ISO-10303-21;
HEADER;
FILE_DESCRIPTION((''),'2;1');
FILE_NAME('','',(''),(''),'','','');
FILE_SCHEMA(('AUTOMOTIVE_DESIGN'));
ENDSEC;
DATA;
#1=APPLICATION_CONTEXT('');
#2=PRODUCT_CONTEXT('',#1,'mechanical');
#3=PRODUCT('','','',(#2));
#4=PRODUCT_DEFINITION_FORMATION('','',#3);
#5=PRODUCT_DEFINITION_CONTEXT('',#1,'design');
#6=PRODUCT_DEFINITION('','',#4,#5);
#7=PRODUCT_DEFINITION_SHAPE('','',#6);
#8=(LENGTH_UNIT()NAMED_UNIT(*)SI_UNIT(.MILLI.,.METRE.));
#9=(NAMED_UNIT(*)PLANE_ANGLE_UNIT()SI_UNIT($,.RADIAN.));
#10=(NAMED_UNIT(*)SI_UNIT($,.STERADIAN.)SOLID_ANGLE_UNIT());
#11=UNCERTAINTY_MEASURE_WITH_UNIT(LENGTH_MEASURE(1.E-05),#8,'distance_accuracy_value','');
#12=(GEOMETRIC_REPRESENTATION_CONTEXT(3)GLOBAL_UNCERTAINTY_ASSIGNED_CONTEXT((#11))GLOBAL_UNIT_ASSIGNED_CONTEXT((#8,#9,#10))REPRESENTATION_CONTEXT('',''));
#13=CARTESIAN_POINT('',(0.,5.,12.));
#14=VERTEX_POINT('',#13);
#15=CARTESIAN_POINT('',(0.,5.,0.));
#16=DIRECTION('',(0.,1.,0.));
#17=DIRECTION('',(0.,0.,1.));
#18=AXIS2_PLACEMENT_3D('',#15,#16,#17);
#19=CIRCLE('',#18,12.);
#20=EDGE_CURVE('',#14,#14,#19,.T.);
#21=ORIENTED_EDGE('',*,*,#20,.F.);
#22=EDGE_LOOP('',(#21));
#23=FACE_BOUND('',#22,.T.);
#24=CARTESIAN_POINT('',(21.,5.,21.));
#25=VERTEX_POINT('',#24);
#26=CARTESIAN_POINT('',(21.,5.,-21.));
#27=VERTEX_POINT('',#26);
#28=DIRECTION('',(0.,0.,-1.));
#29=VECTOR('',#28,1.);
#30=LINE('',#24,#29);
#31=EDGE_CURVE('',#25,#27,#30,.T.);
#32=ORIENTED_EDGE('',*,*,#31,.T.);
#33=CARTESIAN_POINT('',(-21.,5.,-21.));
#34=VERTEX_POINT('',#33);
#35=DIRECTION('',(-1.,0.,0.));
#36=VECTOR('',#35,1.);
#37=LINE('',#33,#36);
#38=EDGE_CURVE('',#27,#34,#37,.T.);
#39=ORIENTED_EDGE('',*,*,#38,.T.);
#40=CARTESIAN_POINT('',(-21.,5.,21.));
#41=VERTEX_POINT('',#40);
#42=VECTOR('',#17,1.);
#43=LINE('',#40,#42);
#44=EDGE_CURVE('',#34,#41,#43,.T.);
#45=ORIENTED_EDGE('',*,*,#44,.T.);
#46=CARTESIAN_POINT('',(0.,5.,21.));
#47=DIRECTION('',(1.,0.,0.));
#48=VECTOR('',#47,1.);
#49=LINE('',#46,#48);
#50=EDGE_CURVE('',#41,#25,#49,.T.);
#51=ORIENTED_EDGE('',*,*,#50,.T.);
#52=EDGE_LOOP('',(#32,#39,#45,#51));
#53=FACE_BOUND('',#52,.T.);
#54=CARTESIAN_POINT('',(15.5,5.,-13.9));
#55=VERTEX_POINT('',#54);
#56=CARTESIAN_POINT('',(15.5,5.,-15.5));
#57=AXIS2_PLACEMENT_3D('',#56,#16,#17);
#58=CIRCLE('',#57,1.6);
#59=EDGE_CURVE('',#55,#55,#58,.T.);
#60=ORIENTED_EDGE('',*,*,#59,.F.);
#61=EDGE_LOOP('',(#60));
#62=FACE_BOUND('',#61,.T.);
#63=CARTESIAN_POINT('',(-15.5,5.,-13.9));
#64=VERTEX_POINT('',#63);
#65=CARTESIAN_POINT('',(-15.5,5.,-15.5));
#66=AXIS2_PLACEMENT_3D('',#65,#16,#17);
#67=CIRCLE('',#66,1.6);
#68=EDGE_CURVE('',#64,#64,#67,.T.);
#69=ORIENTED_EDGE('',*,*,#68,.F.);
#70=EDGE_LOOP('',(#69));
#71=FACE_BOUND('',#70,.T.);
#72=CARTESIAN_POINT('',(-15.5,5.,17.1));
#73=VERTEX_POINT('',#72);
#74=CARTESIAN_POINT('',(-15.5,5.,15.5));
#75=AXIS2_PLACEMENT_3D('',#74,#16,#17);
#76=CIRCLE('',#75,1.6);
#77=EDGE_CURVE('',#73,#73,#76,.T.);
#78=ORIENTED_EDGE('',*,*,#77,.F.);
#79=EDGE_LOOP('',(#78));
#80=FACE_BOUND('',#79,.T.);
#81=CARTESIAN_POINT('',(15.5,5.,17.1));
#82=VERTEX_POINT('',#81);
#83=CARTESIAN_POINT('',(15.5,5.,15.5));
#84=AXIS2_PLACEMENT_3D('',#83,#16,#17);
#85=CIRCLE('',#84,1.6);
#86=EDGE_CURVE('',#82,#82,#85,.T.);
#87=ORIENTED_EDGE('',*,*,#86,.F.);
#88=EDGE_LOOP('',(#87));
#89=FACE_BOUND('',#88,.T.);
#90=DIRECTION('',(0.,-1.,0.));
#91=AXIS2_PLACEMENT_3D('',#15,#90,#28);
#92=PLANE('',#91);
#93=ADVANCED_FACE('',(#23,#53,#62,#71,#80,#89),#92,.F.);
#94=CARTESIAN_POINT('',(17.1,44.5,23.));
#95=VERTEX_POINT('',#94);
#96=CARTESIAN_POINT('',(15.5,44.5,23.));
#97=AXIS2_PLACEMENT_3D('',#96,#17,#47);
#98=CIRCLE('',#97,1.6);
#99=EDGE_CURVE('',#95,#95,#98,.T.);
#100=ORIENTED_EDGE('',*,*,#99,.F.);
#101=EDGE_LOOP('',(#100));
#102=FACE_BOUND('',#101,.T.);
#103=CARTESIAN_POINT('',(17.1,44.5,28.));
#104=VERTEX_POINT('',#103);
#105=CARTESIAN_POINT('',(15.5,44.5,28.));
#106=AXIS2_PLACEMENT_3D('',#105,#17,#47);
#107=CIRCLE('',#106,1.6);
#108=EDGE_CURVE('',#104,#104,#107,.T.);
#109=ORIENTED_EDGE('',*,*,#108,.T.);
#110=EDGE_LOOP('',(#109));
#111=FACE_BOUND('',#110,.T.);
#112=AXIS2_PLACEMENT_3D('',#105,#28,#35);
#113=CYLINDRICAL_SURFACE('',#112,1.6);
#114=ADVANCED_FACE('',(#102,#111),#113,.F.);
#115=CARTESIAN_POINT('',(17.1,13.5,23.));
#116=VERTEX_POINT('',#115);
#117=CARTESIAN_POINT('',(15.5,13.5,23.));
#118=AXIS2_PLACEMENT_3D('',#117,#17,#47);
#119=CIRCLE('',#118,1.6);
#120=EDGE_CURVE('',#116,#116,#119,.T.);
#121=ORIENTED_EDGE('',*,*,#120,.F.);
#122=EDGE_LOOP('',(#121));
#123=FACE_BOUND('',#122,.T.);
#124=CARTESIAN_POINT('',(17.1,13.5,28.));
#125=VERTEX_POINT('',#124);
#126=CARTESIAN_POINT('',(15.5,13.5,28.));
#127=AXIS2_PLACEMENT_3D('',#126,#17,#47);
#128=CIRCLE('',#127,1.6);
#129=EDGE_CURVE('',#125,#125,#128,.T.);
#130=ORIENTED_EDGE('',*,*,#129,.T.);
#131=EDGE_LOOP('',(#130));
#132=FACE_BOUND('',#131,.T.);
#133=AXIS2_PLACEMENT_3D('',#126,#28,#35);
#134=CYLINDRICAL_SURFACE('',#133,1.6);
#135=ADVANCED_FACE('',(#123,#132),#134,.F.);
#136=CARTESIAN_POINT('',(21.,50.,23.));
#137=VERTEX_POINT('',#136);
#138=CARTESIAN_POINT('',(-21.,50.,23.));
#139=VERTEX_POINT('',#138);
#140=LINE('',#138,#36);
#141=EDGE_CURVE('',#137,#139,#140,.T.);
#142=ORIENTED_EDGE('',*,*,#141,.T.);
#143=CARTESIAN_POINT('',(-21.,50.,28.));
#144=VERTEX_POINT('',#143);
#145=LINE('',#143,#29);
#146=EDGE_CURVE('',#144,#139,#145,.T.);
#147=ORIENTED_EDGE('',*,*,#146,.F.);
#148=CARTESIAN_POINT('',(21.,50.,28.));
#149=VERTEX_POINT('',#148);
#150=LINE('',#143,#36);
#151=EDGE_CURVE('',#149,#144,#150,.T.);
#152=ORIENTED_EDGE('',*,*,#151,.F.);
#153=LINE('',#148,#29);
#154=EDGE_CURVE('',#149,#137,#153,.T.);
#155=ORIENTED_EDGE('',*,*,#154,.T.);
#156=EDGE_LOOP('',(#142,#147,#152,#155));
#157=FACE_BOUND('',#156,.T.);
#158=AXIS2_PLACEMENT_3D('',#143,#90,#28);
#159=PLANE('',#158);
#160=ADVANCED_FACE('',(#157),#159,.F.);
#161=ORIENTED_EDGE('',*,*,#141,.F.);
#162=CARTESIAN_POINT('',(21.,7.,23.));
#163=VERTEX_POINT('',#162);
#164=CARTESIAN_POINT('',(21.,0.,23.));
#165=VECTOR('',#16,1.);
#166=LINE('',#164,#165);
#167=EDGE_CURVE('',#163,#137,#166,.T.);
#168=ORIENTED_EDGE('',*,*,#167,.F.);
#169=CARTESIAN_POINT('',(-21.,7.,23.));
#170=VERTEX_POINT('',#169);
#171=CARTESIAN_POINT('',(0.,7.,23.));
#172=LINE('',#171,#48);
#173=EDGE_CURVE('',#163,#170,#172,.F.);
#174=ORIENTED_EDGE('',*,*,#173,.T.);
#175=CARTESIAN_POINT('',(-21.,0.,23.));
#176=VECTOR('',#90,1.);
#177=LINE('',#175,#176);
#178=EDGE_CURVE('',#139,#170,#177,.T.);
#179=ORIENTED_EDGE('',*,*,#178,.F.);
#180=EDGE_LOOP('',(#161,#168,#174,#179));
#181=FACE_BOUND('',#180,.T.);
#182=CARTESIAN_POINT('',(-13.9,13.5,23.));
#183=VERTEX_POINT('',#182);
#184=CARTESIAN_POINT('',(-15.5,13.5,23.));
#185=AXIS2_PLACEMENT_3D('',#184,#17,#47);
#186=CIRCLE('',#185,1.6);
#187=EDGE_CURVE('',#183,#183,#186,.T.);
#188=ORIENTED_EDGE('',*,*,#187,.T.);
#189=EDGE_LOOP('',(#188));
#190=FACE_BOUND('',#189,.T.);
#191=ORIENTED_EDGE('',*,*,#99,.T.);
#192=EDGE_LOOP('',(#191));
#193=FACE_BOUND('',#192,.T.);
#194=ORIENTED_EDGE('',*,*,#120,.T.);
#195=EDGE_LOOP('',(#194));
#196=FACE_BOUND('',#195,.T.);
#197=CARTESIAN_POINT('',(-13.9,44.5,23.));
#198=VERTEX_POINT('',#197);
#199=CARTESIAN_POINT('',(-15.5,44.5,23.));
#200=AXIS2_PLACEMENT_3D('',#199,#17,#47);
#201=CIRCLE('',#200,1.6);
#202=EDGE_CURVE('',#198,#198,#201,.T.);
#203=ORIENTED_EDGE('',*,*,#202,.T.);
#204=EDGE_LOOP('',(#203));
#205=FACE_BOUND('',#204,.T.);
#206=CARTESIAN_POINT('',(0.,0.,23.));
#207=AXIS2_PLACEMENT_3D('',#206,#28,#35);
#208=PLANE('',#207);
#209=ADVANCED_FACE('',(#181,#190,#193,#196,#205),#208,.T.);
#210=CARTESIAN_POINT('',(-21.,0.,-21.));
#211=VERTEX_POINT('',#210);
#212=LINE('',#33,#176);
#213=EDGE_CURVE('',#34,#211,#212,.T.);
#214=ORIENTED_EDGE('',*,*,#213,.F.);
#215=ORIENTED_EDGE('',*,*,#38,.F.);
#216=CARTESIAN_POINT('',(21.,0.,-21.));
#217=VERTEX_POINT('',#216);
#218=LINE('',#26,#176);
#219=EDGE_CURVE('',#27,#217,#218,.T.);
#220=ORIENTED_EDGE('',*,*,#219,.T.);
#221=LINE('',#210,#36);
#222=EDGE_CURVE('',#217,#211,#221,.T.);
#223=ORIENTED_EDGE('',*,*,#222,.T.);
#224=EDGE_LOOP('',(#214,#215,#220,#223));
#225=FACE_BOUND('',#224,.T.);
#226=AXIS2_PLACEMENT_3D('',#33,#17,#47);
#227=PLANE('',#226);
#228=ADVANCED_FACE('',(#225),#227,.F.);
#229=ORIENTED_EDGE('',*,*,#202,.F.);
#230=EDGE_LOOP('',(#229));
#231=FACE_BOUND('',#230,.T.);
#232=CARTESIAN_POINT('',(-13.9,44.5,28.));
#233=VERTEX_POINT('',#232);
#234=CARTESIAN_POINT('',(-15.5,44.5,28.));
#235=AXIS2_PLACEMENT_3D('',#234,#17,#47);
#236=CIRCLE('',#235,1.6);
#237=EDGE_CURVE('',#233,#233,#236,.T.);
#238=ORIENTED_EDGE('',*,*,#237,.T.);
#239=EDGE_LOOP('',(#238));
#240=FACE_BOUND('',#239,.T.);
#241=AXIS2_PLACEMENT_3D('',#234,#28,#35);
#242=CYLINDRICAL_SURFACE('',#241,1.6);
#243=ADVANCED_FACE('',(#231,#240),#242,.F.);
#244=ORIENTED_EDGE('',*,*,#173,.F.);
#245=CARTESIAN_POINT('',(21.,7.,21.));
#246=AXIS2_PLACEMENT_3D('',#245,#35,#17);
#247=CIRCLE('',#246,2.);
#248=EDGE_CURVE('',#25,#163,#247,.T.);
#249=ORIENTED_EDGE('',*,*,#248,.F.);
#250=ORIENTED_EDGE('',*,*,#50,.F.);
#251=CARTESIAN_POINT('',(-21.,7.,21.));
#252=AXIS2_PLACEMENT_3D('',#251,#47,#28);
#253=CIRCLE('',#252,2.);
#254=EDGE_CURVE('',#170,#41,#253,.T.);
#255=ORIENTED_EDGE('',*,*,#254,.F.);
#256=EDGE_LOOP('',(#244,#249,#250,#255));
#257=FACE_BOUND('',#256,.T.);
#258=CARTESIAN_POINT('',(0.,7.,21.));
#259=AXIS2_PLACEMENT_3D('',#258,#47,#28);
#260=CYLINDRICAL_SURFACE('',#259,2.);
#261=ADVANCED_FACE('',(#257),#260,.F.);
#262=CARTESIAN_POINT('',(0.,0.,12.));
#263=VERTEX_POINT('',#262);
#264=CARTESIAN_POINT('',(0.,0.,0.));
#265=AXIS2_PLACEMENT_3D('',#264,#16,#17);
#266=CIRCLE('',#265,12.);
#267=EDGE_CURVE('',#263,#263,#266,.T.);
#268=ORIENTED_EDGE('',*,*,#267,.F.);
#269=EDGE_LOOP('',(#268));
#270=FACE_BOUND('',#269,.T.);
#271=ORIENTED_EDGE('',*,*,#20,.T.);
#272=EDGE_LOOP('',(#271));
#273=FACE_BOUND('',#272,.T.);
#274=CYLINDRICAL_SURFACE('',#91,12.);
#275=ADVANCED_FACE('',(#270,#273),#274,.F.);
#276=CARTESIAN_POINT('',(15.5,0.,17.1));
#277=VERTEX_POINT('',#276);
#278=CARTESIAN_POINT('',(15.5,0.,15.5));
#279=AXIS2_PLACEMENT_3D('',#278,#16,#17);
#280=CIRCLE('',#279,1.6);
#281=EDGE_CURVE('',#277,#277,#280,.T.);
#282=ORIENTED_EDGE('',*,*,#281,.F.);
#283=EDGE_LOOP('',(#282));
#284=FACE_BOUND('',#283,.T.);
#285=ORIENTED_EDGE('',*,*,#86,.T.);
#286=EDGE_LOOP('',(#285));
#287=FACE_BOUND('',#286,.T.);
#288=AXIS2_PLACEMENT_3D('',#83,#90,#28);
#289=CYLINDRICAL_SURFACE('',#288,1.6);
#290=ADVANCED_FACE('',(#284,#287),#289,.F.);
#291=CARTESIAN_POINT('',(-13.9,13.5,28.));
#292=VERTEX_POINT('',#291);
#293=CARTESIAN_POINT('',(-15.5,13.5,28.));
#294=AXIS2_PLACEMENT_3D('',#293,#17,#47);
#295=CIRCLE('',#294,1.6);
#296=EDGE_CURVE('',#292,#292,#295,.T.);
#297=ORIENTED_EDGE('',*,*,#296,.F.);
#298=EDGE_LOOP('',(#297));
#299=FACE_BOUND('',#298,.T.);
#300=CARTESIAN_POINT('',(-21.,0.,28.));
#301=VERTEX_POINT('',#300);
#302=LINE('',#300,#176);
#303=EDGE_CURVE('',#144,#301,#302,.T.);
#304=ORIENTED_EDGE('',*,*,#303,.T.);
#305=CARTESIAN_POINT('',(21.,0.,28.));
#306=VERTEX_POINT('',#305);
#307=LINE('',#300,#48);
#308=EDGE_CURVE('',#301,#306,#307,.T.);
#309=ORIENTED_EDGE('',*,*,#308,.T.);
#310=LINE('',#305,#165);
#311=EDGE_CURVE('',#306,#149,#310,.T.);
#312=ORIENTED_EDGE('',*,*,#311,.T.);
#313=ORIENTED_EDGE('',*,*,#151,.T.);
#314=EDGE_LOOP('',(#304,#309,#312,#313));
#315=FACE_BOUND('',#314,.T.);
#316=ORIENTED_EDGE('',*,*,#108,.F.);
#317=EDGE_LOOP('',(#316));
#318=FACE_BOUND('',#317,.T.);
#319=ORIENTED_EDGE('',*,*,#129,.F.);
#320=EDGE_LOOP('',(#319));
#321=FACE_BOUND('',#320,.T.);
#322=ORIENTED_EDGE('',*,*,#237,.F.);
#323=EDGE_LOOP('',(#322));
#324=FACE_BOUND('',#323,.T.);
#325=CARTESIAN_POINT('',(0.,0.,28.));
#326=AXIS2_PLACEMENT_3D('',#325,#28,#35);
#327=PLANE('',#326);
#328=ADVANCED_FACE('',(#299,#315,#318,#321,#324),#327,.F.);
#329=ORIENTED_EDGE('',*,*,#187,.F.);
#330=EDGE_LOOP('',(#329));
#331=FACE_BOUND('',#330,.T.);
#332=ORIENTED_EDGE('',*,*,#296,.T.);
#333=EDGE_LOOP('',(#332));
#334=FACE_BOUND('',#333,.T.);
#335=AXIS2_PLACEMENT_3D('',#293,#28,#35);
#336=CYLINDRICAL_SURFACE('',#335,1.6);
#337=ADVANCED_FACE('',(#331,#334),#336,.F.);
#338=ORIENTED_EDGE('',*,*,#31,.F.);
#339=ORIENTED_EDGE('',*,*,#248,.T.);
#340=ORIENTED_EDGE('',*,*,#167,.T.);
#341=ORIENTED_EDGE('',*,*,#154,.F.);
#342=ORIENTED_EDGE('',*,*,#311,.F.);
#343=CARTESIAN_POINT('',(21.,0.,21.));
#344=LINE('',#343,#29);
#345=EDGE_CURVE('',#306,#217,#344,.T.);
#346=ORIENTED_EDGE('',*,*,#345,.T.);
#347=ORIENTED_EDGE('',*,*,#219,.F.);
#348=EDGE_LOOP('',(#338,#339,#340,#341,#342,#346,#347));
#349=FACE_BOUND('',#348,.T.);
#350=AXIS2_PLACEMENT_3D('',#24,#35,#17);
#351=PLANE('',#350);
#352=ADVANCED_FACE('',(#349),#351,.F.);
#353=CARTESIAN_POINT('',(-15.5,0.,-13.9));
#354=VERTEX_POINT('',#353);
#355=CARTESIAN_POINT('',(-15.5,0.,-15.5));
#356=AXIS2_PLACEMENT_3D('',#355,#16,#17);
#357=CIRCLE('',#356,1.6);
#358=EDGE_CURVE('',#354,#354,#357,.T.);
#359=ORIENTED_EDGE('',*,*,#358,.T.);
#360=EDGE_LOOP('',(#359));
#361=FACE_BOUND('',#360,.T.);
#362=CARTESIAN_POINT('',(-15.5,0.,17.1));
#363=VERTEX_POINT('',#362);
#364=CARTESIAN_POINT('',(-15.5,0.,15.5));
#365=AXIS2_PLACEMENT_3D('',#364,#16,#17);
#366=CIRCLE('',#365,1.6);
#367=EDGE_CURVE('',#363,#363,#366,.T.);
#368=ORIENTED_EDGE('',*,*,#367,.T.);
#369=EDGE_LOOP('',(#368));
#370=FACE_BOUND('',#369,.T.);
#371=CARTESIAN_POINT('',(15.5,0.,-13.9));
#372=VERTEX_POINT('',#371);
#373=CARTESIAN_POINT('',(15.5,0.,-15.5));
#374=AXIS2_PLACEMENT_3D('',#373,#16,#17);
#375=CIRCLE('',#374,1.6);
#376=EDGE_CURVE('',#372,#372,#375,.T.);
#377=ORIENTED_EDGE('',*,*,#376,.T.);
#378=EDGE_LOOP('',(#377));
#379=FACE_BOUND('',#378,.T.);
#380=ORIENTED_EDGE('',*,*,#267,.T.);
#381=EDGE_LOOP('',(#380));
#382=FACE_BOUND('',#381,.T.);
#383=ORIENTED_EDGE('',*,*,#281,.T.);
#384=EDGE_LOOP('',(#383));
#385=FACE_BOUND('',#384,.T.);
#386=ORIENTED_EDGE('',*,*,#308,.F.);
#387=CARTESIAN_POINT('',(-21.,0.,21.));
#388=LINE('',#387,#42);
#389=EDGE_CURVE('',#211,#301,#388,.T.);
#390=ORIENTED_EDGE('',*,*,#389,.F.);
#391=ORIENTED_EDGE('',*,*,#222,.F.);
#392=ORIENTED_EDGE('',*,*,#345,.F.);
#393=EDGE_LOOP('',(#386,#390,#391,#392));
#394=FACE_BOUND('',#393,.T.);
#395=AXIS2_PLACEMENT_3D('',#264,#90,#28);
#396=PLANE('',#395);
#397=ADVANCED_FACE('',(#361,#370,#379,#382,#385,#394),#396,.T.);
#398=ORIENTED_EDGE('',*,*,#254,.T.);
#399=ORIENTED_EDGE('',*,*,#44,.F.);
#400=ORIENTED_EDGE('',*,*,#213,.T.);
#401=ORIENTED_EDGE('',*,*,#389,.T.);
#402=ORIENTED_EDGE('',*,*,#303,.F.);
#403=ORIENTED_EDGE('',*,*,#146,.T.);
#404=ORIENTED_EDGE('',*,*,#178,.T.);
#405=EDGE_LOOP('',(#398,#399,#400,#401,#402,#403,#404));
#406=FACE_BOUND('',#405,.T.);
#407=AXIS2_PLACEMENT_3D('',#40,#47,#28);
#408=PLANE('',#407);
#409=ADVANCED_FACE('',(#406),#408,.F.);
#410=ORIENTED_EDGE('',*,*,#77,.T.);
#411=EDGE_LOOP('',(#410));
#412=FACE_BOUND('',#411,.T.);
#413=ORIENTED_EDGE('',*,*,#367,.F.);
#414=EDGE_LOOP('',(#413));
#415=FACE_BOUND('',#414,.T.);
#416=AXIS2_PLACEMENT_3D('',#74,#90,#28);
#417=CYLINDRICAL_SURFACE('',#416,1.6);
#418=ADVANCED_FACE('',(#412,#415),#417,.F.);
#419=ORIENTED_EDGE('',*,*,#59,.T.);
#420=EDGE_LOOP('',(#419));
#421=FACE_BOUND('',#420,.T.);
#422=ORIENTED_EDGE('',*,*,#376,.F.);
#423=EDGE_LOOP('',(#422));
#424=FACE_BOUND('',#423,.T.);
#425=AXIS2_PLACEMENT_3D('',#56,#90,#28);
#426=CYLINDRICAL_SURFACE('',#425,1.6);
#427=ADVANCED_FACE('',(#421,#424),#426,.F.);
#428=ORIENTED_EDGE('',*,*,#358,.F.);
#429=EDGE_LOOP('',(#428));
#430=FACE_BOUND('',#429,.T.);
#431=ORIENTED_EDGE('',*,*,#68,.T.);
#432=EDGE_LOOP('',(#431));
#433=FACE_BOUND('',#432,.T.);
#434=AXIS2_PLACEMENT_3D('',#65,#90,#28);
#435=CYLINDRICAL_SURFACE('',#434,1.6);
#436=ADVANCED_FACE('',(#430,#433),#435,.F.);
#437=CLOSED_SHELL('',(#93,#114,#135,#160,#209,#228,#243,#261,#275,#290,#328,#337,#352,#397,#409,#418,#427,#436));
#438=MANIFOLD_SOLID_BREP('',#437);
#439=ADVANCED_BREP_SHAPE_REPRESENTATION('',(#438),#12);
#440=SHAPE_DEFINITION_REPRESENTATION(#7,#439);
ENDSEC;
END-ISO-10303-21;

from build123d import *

# Parameters (mm, degrees)
SKETCH_1_R      = 1.6
SKETCH_1_R_2    = 12
EXTRUDE_1_DEPTH = 5
SKETCH_4_W      = 42
SKETCH_4_H      = 50
SKETCH_4_R      = 1.6
EXTRUDE_4_DEPTH = 5
FILLET_1_R      = 2


with BuildPart() as part:
    # 草图1 → 凸台-拉伸1 (new body)
    with BuildSketch(Plane(origin=(0, 0, 0), x_dir=(1, 0, 0), z_dir=(0, 1, 0))):
        Polygon((-21, -21), (-21, 21), (21, 21), (21, -21), (21, -23), (-21, -23), align=None)
        with Locations(Location((-15.5, 15.5, 0), (0, 0, 270))):
            Circle(SKETCH_1_R, mode=Mode.SUBTRACT)
        with Locations(Location((15.5, 15.5, 0), (0, 0, 270))):
            Circle(SKETCH_1_R, mode=Mode.SUBTRACT)
        with Locations(Location((-15.5, -15.5, 0), (0, 0, 270))):
            Circle(SKETCH_1_R, mode=Mode.SUBTRACT)
        with Locations(Location((15.5, -15.5, 0), (0, 0, 270))):
            Circle(SKETCH_1_R, mode=Mode.SUBTRACT)
        with Locations(Location((0, 0, 0), (0, 0, 270))):
            Circle(SKETCH_1_R_2, mode=Mode.SUBTRACT)
    extrude(amount=EXTRUDE_1_DEPTH)

    # 草图4 → 凸台-拉伸4 (add)
    with BuildSketch(Plane.XY.offset(23)):
        with Locations((0, 25)):
            Rectangle(SKETCH_4_W, SKETCH_4_H)
        with Locations((-15.5, 44.5)):
            Circle(SKETCH_4_R, mode=Mode.SUBTRACT)
        with Locations((15.5, 44.5)):
            Circle(SKETCH_4_R, mode=Mode.SUBTRACT)
        with Locations((-15.5, 13.5)):
            Circle(SKETCH_4_R, mode=Mode.SUBTRACT)
        with Locations((15.5, 13.5)):
            Circle(SKETCH_4_R, mode=Mode.SUBTRACT)
    extrude(amount=EXTRUDE_4_DEPTH)

    # 圆角1
    fillet_1_edges = [part.edges().sort_by_distance(p)[0] for p in [
        (0, 5, 23),
    ]]
    fillet(fillet_1_edges, radius=FILLET_1_R)


solid = part.part
